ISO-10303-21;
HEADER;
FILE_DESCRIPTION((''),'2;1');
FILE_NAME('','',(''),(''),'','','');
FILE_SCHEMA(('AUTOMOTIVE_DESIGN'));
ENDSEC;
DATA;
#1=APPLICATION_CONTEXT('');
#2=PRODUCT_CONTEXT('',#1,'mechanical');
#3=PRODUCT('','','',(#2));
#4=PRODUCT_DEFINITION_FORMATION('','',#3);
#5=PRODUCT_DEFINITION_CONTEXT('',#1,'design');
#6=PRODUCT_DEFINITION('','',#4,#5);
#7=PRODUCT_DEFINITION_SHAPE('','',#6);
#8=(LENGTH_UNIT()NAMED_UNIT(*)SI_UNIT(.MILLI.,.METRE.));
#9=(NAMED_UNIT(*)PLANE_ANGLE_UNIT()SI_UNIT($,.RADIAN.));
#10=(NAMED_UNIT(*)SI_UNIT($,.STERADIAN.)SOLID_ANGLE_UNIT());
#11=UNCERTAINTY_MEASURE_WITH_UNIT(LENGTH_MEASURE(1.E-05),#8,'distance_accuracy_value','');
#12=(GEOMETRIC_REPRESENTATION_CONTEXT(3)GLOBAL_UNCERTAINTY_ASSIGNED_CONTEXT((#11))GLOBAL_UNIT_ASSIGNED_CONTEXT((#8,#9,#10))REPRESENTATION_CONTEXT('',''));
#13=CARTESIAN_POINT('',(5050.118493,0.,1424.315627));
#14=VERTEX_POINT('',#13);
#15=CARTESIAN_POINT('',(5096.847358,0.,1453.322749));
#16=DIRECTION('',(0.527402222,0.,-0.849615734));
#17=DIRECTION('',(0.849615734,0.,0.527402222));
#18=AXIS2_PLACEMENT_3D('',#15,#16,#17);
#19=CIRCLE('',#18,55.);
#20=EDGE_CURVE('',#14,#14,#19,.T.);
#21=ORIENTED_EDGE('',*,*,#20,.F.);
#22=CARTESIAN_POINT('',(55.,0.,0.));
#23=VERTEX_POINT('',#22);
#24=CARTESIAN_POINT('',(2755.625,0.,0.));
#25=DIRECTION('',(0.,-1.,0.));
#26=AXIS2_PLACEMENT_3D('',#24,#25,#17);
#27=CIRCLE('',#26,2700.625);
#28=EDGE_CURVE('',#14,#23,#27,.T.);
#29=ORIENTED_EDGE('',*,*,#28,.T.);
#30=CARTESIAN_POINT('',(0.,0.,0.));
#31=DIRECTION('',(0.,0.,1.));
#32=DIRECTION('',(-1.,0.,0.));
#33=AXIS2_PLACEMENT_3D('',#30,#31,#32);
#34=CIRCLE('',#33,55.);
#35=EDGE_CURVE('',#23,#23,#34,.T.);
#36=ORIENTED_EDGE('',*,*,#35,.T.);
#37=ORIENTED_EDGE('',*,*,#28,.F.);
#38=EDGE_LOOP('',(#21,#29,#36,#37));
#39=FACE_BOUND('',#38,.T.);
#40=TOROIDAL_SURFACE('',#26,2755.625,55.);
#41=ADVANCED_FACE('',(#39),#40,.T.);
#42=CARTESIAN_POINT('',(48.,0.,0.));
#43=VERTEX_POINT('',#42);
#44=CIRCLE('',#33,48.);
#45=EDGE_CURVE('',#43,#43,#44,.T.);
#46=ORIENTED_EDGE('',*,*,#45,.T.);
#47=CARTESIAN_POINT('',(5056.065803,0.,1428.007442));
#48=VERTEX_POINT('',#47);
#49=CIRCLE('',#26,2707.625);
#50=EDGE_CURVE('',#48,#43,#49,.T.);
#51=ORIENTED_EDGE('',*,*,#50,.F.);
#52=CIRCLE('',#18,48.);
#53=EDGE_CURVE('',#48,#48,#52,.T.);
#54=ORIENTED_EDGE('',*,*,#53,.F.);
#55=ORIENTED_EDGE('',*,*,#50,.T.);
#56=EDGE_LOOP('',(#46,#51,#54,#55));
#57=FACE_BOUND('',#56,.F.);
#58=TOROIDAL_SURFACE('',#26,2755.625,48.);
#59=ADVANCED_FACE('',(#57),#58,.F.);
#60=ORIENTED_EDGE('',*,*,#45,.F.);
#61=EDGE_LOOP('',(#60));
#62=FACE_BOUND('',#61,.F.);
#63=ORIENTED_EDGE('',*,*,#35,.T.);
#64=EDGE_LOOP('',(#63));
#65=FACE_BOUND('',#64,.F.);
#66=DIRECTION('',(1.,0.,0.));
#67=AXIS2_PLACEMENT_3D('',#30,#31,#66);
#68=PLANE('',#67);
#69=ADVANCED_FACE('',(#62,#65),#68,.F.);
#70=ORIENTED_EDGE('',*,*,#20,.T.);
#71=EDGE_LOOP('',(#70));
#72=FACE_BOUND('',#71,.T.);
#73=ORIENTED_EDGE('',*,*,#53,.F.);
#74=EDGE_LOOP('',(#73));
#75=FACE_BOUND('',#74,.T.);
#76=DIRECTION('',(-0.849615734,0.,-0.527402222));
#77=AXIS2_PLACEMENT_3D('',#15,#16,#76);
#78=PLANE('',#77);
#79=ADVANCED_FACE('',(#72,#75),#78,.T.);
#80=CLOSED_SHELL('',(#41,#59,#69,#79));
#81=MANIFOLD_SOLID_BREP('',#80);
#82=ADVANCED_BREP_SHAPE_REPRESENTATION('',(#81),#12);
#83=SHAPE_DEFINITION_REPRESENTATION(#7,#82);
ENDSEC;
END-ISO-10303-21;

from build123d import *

# Parameters (mm, degrees)
F0_R   = 55
F0_R_2 = 48


with BuildPart() as f2:
    # F2: sweep along a path in F1
    with BuildLine(Plane.XZ) as f2_path:
        ThreePointArc((5096.847358, 1453.322749), (2000, 2650), (0, 0))
    # F0 (on Top) → F2 (sweep)
    with BuildSketch(Plane.XY):
        Circle(F0_R)
        Circle(F0_R_2, mode=Mode.SUBTRACT)
    sweep(path=f2_path.line)


solid = f2.part
